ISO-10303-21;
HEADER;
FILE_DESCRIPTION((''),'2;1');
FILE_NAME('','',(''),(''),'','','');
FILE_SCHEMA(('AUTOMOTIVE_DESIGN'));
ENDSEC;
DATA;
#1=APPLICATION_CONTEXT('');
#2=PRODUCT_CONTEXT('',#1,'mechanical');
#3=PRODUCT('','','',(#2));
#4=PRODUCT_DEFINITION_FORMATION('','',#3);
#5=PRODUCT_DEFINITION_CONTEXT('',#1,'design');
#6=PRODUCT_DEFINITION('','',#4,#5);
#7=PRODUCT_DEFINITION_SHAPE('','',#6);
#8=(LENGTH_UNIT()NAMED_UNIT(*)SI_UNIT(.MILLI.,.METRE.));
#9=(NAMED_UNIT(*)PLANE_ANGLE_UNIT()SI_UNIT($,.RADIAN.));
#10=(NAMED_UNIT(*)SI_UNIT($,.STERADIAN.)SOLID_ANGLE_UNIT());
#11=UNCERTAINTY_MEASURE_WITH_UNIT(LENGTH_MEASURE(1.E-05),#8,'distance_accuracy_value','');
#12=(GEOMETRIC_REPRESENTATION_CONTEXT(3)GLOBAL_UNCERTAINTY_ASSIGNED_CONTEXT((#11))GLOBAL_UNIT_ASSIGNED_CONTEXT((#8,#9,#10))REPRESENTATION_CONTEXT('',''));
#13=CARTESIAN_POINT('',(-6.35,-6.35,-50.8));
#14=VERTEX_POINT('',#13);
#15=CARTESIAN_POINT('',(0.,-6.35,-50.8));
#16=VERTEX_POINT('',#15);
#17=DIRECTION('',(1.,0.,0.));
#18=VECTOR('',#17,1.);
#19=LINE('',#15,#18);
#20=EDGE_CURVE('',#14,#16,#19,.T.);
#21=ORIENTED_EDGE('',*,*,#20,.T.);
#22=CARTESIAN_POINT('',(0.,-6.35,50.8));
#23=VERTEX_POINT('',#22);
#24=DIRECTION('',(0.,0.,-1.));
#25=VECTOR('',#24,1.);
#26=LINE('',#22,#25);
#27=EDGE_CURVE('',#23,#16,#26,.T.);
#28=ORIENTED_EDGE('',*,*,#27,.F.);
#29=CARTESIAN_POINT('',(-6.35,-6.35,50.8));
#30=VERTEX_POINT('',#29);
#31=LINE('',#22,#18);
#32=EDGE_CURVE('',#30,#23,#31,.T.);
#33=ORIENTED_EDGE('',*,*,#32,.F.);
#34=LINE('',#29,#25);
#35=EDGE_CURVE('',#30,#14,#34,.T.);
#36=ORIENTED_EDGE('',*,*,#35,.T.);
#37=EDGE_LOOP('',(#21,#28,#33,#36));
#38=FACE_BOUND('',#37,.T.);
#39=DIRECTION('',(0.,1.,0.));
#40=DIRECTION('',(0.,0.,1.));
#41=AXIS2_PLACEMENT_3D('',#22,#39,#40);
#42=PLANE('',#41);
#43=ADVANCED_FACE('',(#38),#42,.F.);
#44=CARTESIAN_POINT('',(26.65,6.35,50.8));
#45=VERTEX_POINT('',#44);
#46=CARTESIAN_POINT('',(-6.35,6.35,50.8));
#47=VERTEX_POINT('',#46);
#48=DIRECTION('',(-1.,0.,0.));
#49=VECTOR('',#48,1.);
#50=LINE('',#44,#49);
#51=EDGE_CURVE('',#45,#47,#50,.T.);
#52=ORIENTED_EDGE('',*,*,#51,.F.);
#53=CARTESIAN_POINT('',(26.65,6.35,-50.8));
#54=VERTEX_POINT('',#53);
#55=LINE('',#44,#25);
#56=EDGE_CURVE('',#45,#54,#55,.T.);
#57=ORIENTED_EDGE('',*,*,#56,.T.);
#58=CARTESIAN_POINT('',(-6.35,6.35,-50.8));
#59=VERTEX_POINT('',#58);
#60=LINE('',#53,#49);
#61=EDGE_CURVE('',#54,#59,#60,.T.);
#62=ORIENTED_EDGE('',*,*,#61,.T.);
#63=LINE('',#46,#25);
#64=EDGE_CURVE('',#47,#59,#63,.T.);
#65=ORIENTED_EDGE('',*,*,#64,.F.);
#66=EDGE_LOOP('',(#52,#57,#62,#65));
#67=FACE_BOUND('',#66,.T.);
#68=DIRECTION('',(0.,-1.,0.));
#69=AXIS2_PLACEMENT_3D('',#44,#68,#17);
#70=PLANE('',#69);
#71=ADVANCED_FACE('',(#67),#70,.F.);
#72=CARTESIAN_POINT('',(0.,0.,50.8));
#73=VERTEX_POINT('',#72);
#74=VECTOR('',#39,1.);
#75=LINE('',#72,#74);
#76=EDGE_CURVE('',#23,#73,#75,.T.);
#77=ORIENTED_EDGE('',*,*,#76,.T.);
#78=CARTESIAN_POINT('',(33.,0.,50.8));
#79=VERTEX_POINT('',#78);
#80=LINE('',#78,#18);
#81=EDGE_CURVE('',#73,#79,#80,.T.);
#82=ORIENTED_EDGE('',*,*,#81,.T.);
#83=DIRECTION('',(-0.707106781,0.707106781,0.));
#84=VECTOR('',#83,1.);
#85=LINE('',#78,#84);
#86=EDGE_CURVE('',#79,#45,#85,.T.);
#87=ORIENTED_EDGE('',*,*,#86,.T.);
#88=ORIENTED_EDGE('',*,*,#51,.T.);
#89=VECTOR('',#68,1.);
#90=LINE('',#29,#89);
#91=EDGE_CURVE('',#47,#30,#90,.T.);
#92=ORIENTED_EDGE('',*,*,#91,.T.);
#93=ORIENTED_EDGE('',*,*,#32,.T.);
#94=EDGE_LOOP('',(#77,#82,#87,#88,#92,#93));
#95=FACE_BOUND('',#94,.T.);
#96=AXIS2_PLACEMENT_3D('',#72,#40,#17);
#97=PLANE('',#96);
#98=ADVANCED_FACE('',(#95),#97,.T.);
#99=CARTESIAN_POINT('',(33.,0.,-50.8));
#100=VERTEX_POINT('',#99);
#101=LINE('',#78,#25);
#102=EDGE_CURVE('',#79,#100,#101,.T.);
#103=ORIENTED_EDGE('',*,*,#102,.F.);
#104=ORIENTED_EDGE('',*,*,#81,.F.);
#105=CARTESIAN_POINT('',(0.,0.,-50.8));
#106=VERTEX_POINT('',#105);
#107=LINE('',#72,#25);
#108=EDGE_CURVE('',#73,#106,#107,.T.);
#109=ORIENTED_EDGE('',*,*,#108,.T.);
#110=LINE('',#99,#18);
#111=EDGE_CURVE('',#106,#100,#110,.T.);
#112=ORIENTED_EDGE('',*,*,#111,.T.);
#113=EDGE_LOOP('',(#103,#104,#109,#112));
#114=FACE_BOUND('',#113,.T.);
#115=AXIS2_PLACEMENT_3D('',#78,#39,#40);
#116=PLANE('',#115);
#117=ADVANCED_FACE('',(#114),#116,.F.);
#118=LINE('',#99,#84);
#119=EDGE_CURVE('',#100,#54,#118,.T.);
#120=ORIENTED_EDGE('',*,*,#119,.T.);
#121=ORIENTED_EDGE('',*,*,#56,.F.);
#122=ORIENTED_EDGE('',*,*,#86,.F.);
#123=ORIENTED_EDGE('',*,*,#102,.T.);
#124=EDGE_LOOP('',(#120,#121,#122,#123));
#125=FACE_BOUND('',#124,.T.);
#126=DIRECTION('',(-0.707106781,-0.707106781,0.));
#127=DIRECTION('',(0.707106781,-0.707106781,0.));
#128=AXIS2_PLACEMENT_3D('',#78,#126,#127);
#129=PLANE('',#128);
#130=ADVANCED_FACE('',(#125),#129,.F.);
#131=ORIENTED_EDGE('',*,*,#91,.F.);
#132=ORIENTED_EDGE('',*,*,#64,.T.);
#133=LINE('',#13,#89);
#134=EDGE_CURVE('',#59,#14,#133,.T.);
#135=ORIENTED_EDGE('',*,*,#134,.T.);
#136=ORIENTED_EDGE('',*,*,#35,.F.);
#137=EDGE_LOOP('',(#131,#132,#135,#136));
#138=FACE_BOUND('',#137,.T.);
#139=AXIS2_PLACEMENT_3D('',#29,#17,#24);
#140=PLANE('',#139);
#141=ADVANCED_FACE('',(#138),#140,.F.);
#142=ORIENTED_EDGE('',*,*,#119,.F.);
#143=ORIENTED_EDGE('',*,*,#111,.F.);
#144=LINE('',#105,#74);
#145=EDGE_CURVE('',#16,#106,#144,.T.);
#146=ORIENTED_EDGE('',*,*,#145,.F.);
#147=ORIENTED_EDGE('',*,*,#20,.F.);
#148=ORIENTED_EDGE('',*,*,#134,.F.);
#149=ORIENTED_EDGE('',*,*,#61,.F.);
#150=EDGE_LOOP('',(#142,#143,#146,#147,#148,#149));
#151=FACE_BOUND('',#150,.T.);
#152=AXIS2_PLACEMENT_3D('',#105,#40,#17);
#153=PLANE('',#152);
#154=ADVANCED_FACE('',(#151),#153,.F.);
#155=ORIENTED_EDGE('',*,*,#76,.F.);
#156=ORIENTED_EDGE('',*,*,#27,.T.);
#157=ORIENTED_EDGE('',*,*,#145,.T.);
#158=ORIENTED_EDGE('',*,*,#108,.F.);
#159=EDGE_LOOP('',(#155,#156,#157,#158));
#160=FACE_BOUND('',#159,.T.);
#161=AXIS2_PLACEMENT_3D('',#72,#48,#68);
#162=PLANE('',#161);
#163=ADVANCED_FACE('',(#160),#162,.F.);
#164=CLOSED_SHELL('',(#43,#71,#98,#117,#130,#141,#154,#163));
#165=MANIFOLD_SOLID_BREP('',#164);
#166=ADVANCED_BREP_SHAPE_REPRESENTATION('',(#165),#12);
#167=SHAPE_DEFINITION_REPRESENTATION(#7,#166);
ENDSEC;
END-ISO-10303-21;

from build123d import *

# Parameters (mm, degrees)
BOSS_EXTRUDE1_DEPTH = 50.8


with BuildPart() as part:
    # Sketch1 → Boss-Extrude1 (new, symmetric)
    with BuildSketch(Plane.XY):
        Polygon((0, 0), (0, -6.35), (-6.35, -6.35), (-6.35, 6.35), (26.65, 6.35), (33, 0), align=None)
    extrude(amount=BOSS_EXTRUDE1_DEPTH, both=True)


solid = part.part
